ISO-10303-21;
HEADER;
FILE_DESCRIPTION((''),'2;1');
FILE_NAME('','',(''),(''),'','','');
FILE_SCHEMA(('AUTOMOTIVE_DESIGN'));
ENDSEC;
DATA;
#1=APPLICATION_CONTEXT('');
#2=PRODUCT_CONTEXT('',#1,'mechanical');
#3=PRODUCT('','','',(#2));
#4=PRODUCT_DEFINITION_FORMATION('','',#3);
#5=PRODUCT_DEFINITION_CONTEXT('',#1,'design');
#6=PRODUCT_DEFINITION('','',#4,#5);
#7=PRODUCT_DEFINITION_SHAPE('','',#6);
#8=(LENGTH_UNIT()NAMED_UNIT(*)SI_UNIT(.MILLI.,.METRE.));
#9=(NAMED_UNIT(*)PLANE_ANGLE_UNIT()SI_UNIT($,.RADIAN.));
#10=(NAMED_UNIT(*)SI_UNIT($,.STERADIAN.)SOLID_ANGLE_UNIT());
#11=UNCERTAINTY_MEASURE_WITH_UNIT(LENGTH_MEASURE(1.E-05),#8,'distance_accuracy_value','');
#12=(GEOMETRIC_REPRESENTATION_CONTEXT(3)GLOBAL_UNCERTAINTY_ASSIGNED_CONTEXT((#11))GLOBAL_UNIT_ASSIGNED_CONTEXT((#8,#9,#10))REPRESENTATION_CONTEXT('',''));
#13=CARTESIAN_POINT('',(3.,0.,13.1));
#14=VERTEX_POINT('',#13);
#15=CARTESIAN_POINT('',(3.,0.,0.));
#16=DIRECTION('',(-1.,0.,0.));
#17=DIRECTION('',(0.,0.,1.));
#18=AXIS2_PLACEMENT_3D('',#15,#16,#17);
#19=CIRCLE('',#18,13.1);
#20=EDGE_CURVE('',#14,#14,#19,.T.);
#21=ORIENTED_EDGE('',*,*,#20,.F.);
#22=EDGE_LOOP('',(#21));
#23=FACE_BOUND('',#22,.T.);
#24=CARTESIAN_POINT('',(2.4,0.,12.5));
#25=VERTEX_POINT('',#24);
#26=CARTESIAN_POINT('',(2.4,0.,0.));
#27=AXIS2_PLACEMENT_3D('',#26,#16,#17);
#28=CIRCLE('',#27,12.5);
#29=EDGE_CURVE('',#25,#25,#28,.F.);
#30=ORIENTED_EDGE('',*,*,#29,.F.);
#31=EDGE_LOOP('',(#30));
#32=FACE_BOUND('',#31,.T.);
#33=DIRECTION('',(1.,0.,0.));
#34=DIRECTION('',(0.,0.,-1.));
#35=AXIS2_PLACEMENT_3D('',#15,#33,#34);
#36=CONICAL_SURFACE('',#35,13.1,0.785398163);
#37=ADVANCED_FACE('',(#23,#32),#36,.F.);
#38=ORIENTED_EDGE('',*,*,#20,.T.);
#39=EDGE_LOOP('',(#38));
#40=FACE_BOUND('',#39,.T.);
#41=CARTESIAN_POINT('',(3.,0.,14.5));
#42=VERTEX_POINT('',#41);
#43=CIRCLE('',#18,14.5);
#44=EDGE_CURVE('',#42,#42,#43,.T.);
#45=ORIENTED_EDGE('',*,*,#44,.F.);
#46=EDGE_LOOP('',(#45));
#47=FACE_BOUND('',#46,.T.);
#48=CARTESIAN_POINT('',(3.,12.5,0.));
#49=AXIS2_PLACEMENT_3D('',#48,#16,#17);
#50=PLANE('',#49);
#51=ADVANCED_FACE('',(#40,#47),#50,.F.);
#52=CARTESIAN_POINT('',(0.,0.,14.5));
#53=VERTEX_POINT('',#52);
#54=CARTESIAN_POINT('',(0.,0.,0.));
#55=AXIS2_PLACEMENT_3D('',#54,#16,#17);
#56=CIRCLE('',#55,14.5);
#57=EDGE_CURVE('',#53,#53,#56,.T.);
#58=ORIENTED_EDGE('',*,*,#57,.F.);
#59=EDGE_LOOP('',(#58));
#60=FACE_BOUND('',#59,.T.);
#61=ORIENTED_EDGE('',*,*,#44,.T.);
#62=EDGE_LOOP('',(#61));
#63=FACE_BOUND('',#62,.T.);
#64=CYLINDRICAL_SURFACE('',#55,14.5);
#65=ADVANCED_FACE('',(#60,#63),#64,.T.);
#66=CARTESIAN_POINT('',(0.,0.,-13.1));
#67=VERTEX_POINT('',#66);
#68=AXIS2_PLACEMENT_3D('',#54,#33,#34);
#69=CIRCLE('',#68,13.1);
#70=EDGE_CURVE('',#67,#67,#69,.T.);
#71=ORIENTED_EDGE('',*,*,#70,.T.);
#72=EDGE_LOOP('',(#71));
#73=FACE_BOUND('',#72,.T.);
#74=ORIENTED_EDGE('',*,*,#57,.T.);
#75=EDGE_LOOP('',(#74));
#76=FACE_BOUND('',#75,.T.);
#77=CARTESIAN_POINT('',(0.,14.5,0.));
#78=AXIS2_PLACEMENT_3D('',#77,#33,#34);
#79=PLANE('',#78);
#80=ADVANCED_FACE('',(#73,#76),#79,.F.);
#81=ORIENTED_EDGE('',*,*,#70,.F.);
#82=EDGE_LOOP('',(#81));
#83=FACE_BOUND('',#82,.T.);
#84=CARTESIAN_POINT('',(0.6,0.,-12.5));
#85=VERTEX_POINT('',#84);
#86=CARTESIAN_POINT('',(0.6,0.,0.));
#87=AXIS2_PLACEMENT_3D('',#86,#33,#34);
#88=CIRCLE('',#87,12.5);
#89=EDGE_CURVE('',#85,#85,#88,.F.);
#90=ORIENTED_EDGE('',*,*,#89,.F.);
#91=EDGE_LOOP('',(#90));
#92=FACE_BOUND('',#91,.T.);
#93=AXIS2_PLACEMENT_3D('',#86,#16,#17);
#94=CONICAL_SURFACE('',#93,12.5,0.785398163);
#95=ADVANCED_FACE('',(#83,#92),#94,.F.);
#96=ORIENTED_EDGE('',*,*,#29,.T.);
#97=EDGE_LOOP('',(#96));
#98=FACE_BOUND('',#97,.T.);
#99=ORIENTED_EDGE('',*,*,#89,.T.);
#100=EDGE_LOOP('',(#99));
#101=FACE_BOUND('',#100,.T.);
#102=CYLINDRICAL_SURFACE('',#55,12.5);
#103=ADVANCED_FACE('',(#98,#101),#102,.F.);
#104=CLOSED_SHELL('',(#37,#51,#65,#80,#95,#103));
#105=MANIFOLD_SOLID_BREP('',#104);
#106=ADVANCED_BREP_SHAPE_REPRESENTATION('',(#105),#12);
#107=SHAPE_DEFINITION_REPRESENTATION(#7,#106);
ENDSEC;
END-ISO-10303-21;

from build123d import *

# Parameters (mm, degrees)
SKETCH_1_W     = 3
SKETCH_1_H     = 2
CHAMFER_1_SIZE = 0.6


with BuildPart() as part:
    # Эскиз1 → Повернуть1 (revolve)
    with BuildSketch(Plane.XY):
        with Locations((1.5, 13.5)):
            Rectangle(SKETCH_1_W, SKETCH_1_H)
    revolve(axis=Axis((0, 0, 0), (1, 0, 0)))

    # Фаска1
    chamfer_1_edges = [part.edges().sort_by_distance(p)[0] for p in [
        (3, -12.5, 0),
        (0, -12.5, 0),
    ]]
    chamfer(chamfer_1_edges, length=CHAMFER_1_SIZE)


solid = part.part
